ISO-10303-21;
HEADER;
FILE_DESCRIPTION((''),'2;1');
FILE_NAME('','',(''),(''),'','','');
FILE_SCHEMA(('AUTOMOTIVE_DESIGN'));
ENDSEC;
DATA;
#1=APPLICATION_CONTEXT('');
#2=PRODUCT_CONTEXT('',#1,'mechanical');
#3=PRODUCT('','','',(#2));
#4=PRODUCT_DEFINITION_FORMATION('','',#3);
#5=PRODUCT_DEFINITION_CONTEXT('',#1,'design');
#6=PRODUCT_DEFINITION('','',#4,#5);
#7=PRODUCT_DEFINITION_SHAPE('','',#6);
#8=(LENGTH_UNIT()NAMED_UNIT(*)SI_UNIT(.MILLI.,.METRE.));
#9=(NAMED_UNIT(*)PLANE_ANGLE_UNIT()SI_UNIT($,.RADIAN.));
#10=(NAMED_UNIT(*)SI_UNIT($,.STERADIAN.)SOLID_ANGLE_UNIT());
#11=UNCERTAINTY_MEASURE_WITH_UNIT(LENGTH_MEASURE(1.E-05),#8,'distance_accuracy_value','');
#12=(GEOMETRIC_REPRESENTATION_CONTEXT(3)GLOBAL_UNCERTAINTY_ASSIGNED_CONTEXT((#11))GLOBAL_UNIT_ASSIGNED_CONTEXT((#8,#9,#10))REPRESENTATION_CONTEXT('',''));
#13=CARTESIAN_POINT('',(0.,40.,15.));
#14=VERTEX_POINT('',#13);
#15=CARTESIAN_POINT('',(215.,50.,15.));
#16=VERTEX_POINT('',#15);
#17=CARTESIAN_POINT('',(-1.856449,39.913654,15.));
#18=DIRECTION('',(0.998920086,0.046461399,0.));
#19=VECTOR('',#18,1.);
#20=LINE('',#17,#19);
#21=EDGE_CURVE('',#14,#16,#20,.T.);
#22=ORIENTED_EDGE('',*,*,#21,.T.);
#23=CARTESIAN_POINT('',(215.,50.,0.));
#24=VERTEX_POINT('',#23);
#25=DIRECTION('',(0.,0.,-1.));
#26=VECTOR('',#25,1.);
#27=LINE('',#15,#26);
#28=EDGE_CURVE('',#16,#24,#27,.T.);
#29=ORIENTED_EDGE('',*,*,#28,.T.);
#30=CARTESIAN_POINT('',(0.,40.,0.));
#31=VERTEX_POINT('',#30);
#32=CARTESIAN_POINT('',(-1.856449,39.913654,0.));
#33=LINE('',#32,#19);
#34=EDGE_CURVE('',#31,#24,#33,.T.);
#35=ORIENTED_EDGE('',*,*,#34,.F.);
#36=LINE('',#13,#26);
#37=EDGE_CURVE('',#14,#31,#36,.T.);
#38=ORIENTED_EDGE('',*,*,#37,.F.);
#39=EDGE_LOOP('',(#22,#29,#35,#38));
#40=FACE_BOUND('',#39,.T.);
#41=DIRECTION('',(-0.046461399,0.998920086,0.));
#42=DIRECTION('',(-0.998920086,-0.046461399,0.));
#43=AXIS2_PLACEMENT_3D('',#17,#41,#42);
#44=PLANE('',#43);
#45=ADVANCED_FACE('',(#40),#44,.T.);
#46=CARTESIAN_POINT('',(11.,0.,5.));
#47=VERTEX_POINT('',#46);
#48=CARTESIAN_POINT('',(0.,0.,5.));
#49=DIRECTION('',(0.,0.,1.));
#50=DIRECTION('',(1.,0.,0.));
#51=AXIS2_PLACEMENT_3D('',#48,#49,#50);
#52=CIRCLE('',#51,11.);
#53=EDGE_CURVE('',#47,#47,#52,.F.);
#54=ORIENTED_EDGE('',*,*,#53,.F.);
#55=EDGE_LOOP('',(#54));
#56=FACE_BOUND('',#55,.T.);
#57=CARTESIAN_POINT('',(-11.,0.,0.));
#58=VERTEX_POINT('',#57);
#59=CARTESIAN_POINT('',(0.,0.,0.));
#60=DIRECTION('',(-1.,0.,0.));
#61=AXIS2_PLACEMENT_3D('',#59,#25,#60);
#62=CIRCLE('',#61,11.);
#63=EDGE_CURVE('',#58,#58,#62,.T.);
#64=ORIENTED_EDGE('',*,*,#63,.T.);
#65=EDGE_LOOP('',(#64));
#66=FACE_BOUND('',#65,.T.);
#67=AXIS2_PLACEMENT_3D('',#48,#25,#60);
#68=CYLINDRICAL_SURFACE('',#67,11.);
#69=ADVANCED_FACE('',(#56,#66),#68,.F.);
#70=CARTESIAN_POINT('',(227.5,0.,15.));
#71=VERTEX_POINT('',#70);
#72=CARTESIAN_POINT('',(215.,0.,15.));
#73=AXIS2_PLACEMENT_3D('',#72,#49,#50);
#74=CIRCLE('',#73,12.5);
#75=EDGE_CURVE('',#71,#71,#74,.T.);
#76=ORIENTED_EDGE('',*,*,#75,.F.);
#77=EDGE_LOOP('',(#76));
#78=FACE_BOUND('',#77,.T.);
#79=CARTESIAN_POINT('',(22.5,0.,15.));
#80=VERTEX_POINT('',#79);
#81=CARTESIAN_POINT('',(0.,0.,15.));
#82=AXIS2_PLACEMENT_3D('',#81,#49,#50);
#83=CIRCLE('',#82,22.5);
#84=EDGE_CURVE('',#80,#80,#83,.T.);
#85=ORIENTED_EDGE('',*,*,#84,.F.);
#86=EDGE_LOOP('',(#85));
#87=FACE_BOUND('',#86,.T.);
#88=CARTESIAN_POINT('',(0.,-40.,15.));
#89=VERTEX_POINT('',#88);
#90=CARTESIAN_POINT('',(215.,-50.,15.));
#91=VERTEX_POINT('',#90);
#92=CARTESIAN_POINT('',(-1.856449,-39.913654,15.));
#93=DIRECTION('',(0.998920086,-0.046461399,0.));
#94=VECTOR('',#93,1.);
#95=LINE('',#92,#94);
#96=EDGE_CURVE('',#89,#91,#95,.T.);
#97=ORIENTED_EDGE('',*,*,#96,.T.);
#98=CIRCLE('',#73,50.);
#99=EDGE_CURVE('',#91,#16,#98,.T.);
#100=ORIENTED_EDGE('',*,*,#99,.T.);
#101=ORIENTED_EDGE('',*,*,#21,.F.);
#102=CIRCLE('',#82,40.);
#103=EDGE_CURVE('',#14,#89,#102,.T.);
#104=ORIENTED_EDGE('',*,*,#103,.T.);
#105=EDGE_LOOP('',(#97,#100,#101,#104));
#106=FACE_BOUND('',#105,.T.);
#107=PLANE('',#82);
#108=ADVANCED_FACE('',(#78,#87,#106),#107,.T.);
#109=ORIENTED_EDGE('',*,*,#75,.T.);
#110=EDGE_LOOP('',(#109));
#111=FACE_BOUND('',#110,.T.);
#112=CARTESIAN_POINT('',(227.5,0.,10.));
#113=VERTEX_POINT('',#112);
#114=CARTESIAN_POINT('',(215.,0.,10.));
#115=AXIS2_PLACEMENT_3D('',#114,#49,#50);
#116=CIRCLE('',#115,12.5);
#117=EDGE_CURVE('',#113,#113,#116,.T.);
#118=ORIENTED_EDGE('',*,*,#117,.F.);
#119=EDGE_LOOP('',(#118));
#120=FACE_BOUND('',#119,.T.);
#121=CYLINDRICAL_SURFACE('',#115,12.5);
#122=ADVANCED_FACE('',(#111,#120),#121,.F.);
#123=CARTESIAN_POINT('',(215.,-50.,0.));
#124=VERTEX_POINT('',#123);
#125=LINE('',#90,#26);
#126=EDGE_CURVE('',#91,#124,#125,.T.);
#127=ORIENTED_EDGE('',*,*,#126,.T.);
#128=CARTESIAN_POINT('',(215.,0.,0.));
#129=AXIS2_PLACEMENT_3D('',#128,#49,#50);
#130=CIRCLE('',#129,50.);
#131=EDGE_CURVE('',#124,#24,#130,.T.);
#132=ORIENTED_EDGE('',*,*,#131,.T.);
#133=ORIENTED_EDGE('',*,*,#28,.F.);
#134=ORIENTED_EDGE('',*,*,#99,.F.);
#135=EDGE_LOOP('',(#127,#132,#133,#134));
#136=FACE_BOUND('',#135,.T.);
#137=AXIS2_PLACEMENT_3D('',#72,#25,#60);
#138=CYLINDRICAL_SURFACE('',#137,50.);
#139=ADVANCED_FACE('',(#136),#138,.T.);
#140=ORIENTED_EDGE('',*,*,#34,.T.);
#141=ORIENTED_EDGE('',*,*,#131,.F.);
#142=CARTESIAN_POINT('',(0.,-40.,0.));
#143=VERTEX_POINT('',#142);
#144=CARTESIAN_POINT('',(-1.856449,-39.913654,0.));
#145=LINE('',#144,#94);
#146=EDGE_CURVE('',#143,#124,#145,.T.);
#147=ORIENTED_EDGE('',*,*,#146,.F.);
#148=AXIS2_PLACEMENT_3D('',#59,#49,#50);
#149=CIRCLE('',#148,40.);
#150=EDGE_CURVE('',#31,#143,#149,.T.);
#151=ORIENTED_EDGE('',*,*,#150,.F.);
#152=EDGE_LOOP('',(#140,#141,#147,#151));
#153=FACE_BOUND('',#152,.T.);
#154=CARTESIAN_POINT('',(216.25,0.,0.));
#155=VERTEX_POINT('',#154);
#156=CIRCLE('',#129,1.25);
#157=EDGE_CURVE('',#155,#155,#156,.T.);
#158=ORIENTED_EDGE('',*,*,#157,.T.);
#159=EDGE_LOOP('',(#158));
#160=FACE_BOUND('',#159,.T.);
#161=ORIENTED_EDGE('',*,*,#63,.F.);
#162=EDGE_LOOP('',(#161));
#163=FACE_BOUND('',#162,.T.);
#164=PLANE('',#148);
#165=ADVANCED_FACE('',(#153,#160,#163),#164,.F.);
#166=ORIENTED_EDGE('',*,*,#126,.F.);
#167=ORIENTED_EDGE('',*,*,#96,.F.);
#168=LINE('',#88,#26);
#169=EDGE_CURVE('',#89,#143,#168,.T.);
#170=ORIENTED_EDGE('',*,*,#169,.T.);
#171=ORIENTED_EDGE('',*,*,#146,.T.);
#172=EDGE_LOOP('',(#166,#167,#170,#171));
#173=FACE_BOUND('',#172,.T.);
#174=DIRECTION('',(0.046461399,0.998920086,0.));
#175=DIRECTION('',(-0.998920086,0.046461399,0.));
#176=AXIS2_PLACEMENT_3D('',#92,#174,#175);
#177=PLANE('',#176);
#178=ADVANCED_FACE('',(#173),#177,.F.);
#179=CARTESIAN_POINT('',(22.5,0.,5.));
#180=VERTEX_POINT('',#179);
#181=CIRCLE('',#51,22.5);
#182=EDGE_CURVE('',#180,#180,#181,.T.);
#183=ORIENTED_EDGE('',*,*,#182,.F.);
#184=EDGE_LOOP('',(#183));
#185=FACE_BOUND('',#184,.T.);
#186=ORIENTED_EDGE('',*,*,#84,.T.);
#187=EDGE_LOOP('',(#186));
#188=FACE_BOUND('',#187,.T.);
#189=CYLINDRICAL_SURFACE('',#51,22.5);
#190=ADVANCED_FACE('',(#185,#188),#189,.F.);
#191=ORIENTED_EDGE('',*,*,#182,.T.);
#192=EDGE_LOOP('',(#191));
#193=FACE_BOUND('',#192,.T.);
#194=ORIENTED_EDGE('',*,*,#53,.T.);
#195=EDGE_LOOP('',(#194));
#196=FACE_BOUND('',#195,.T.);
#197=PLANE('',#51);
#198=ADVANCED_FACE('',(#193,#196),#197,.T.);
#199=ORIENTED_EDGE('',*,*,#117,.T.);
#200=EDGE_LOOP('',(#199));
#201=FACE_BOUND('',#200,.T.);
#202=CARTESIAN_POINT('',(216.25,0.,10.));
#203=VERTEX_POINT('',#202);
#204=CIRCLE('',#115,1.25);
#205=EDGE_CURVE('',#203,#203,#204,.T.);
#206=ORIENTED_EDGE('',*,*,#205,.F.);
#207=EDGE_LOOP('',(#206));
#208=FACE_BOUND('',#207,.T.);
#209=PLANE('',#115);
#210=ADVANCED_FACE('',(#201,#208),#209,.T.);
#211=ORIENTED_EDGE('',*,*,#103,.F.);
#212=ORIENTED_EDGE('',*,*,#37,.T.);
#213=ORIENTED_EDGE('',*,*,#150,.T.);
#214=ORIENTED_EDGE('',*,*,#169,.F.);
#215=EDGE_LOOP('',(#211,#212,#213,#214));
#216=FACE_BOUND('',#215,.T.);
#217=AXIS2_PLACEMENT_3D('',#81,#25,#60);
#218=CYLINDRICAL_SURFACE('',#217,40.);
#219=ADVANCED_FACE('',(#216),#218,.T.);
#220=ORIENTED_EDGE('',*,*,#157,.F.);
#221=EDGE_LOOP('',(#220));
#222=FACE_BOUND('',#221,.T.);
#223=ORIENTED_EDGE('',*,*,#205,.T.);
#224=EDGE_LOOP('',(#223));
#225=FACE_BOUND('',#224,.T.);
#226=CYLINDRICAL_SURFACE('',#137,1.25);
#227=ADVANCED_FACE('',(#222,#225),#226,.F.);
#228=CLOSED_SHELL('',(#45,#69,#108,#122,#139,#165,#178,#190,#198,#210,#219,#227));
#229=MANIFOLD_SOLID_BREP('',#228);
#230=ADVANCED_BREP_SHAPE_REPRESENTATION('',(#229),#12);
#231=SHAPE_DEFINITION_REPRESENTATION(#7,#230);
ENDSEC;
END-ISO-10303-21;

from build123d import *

# Parameters (mm, degrees)
CROQUIS1_R              = 1.25
SALIENTE_EXTRUIR1_DEPTH = 15
CROQUIS5_R              = 11
CORTAR_EXTRUIR1_DEPTH   = 5
CROQUIS6_R              = 12.5
CORTAR_EXTRUIR2_DEPTH   = 5
CROQUIS4_R              = 22.5
CORTAR_EXTRUIR3_DEPTH   = 10


with BuildPart() as part:
    # Croquis1 → Saliente-Extruir1 (new body)
    with BuildSketch(Plane.XY):
        with BuildLine():
            ThreePointArc((0, 40), (-40, 0), (0, -40))
            Line((0, -40), (215, -50))
            ThreePointArc((215, -50), (265, 0), (215, 50))
            Line((215, 50), (0, 40))
        make_face()
        Circle(CROQUIS1_R, mode=Mode.SUBTRACT)
        with Locations((215, 0)):
            Circle(CROQUIS1_R, mode=Mode.SUBTRACT)
    extrude(amount=SALIENTE_EXTRUIR1_DEPTH)

    # Croquis5 → Cortar-Extruir1 (cut)
    with BuildSketch(Plane(origin=(0, 0, 0), x_dir=(-1, 0, 0), z_dir=(0, 0, -1))):
        Circle(CROQUIS5_R)
    extrude(amount=-CORTAR_EXTRUIR1_DEPTH, mode=Mode.SUBTRACT)

    # Croquis6 → Cortar-Extruir2 (cut)
    with BuildSketch(Plane.XY.offset(15)):
        with Locations((215, 0)):
            Circle(CROQUIS6_R)
    extrude(amount=-CORTAR_EXTRUIR2_DEPTH, mode=Mode.SUBTRACT)

    # Croquis4 → Cortar-Extruir3 (cut)
    with BuildSketch(Plane.XY.offset(15)):
        Circle(CROQUIS4_R)
    extrude(amount=-CORTAR_EXTRUIR3_DEPTH, mode=Mode.SUBTRACT)


solid = part.part
